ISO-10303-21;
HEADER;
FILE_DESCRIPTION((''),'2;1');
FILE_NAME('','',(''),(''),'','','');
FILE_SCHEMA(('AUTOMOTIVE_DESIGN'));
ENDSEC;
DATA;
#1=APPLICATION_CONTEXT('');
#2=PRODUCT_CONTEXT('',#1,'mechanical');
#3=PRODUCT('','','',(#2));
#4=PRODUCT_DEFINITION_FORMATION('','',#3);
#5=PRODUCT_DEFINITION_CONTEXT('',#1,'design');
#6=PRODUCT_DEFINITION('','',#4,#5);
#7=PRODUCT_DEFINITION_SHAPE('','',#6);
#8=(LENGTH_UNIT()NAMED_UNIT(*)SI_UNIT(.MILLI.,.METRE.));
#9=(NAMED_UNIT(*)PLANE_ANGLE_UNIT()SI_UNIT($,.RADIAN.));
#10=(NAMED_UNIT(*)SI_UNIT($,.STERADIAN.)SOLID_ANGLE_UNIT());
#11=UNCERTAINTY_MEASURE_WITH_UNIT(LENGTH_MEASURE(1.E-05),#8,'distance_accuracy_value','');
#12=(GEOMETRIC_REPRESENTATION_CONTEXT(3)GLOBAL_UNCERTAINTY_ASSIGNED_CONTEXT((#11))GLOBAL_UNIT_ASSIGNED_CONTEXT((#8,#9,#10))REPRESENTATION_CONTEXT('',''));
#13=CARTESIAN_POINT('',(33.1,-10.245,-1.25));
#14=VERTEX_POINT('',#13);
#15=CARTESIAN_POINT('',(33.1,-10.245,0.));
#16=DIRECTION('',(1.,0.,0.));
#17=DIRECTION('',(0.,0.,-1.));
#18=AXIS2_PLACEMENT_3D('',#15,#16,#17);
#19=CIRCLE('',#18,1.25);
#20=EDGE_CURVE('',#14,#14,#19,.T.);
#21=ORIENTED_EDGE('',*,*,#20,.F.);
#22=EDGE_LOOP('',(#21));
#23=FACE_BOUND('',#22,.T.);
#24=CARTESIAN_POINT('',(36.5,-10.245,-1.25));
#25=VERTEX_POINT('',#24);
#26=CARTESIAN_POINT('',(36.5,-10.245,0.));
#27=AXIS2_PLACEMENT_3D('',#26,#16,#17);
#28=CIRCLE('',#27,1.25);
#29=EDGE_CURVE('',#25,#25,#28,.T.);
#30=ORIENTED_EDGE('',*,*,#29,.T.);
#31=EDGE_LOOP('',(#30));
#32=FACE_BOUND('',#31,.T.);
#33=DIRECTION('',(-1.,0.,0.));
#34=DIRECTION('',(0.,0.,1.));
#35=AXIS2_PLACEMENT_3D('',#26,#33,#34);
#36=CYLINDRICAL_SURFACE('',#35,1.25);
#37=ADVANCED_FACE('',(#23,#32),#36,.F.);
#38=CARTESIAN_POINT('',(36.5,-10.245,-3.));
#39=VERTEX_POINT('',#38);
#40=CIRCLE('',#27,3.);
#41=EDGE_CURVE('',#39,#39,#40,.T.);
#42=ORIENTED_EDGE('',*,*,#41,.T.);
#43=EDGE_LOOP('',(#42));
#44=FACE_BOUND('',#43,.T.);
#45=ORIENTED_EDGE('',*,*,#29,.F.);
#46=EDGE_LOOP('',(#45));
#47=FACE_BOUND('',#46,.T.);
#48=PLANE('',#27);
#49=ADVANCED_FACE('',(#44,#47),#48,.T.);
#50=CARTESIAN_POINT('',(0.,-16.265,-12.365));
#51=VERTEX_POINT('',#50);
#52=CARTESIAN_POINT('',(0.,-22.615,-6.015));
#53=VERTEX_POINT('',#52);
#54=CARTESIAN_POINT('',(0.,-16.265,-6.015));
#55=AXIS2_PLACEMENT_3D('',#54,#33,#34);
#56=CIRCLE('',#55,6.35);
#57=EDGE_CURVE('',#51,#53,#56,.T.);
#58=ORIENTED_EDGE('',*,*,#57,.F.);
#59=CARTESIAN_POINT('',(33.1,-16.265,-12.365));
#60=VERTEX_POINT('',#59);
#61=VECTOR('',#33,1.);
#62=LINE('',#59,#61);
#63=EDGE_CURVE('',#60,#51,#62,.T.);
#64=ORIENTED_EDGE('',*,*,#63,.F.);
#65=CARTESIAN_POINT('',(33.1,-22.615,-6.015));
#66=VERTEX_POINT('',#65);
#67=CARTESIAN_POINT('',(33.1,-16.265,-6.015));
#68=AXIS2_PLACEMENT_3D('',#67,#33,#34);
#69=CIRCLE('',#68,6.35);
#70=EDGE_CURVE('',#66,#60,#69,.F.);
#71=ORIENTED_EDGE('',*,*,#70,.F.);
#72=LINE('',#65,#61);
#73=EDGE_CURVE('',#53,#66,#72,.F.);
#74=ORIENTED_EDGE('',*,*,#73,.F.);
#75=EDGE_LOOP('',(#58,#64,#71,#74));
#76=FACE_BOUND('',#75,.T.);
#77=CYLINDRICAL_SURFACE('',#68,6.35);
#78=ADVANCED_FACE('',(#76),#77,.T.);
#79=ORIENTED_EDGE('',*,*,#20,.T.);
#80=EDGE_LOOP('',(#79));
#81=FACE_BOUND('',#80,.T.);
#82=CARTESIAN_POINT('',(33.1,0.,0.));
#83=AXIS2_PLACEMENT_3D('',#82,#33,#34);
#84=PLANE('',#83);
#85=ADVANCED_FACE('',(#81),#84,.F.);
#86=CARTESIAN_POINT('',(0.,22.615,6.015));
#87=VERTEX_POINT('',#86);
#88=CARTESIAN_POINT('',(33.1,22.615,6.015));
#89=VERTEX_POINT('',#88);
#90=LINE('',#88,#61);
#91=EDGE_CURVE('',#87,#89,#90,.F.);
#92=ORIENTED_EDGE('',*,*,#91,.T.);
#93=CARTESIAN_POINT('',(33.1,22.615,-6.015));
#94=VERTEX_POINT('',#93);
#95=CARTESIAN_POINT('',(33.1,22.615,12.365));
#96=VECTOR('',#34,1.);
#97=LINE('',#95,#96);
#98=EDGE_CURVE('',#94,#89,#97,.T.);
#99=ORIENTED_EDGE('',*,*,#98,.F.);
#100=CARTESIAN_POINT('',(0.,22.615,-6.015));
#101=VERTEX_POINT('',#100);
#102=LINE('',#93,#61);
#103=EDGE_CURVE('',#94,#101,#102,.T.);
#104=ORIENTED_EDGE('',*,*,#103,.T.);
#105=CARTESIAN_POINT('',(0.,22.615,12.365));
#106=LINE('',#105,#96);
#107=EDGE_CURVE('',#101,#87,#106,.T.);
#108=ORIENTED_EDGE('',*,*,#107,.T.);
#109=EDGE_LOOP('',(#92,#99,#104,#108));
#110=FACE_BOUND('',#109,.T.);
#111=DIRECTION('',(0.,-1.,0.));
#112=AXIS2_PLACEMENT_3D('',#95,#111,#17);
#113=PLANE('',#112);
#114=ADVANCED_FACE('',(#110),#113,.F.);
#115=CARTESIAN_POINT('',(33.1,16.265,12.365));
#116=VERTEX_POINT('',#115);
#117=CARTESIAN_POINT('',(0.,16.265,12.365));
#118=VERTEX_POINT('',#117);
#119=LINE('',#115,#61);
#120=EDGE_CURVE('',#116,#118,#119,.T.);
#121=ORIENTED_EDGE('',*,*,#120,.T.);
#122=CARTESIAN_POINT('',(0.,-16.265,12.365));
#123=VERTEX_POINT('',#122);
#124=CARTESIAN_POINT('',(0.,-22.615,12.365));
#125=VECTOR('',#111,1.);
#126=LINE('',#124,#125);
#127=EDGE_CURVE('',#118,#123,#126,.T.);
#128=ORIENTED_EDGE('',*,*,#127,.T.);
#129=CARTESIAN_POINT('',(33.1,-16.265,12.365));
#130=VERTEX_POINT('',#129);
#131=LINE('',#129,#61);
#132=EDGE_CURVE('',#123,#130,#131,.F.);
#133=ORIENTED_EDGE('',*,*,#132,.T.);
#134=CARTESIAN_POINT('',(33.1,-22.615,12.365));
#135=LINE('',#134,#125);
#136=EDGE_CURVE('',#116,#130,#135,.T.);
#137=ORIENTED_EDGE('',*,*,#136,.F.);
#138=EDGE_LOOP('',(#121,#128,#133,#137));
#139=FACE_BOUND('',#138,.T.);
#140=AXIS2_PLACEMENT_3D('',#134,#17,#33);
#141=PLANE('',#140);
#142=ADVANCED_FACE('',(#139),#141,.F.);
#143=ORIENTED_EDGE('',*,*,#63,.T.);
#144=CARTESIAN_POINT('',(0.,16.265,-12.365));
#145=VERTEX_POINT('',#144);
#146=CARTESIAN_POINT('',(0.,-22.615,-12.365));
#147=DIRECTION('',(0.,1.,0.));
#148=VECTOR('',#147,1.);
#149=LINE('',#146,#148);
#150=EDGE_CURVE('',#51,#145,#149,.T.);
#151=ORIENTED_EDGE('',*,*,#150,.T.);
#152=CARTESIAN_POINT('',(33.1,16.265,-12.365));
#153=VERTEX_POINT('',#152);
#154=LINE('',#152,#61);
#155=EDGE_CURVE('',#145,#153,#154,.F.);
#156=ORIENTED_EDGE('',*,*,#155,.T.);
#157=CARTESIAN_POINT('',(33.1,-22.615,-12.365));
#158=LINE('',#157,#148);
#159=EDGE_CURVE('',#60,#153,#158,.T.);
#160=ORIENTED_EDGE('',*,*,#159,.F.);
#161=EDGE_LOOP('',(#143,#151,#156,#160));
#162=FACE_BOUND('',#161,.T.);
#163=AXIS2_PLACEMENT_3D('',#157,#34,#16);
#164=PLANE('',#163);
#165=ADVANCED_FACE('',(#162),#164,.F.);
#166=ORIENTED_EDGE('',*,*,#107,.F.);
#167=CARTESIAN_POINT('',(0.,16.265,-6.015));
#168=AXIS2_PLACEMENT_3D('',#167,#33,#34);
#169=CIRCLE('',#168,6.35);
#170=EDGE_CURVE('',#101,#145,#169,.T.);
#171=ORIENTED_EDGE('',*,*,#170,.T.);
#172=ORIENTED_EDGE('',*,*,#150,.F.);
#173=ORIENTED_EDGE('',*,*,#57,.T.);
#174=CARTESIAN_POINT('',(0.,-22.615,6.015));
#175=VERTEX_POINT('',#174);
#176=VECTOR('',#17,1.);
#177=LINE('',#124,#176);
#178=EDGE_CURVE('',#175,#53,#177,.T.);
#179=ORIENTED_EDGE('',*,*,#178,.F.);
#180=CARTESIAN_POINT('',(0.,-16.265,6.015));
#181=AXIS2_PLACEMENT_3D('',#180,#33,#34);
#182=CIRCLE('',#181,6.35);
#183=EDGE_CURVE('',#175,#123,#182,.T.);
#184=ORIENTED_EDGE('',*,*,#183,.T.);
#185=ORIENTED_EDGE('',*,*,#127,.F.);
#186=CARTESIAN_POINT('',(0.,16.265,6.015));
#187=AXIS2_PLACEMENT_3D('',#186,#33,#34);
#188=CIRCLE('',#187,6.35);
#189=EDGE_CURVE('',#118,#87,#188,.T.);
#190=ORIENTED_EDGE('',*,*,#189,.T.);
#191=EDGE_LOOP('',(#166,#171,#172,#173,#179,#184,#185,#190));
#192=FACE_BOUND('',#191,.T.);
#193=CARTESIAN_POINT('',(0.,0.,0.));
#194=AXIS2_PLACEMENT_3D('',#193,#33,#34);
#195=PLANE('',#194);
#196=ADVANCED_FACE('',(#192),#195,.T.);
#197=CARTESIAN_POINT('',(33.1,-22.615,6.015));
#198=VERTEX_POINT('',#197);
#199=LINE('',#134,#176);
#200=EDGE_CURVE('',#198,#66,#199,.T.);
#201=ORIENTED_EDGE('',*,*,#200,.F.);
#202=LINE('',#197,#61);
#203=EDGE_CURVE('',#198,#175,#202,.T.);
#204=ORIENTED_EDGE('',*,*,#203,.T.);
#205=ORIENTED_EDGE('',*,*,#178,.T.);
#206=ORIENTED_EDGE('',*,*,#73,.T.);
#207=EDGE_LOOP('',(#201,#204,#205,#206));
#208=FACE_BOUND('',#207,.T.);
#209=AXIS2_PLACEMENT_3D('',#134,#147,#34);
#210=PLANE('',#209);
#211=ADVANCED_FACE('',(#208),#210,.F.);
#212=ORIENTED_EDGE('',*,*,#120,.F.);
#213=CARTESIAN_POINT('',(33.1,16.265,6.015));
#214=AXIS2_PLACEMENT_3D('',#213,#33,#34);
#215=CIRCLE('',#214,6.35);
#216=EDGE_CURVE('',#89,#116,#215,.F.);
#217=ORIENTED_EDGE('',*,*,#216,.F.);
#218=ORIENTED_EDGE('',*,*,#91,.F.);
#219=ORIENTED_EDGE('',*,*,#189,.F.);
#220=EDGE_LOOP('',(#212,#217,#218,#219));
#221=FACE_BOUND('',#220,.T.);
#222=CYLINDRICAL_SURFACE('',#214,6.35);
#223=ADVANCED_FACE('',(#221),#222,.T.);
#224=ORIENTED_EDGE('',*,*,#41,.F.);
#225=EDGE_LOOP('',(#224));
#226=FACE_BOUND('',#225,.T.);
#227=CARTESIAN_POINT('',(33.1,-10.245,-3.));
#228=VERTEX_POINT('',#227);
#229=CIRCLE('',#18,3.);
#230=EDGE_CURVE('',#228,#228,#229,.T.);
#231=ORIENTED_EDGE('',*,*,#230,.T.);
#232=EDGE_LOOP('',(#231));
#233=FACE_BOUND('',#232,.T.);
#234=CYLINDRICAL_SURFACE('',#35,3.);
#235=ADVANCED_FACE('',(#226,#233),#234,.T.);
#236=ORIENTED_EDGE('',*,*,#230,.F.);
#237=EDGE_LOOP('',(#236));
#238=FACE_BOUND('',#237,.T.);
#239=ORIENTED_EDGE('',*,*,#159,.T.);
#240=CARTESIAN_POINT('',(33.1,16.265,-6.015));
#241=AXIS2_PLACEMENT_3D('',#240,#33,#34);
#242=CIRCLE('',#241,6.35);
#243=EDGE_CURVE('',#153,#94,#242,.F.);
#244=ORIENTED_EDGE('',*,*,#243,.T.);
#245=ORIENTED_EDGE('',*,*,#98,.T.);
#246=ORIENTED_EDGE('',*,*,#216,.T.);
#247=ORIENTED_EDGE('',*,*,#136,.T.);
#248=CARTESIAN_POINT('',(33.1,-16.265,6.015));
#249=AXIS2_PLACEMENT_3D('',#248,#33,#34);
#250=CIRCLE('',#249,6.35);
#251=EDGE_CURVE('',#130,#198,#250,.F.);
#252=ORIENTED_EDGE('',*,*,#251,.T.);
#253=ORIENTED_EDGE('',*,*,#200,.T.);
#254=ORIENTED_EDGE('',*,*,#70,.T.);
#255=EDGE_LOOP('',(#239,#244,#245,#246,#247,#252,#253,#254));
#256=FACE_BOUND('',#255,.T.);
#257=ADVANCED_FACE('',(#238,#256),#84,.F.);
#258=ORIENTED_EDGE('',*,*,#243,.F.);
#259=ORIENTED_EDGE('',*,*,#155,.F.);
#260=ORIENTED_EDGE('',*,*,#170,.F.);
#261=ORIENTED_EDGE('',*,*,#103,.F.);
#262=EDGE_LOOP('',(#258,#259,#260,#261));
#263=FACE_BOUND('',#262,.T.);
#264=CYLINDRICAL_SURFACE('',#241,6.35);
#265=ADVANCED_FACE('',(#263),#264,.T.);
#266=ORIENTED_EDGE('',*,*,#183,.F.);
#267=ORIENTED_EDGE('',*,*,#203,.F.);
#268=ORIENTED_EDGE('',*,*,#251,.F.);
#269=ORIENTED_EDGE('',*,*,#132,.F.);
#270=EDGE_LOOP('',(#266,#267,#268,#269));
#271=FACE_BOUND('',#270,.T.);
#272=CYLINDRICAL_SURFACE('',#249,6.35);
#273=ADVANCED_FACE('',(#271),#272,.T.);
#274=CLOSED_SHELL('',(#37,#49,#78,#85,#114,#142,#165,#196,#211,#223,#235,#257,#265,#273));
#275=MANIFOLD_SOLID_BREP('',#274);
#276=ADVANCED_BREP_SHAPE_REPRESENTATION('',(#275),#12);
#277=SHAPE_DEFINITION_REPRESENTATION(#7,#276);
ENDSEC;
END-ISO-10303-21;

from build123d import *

# Parameters (mm, degrees)
SKETCH1_W           = 24.73
SKETCH1_H           = 45.23
BOSS_EXTRUDE1_DEPTH = 33.1
SKETCH2_R           = 3
SKETCH2_R_2         = 1.25
BOSS_EXTRUDE2_DEPTH = 3.4
FILLET1_R           = 6.35


with BuildPart() as part:
    # Sketch1 → Boss-Extrude1 (new body)
    with BuildSketch(Plane(origin=(0, 0, 0), x_dir=(0, 0, -1), z_dir=(1, 0, 0))):
        Rectangle(SKETCH1_W, SKETCH1_H)
    extrude(amount=BOSS_EXTRUDE1_DEPTH)

    # Sketch2 → Boss-Extrude2 (add)
    with BuildSketch(Plane(origin=(33.1, 0, 0), x_dir=(0, 0, -1), z_dir=(1, 0, 0))):
        with Locations((0, -10.245)):
            Circle(SKETCH2_R)
        with Locations((0, -10.245)):
            Circle(SKETCH2_R_2, mode=Mode.SUBTRACT)
    extrude(amount=BOSS_EXTRUDE2_DEPTH)

    # Fillet1
    fillet1_edges = [part.edges().sort_by_distance(p)[0] for p in [
        (16.55, -22.615, -12.365),
        (16.55, -22.615, 12.365),
        (16.55, 22.615, 12.365),
        (16.55, 22.615, -12.365),
    ]]
    fillet(fillet1_edges, radius=FILLET1_R)


solid = part.part
